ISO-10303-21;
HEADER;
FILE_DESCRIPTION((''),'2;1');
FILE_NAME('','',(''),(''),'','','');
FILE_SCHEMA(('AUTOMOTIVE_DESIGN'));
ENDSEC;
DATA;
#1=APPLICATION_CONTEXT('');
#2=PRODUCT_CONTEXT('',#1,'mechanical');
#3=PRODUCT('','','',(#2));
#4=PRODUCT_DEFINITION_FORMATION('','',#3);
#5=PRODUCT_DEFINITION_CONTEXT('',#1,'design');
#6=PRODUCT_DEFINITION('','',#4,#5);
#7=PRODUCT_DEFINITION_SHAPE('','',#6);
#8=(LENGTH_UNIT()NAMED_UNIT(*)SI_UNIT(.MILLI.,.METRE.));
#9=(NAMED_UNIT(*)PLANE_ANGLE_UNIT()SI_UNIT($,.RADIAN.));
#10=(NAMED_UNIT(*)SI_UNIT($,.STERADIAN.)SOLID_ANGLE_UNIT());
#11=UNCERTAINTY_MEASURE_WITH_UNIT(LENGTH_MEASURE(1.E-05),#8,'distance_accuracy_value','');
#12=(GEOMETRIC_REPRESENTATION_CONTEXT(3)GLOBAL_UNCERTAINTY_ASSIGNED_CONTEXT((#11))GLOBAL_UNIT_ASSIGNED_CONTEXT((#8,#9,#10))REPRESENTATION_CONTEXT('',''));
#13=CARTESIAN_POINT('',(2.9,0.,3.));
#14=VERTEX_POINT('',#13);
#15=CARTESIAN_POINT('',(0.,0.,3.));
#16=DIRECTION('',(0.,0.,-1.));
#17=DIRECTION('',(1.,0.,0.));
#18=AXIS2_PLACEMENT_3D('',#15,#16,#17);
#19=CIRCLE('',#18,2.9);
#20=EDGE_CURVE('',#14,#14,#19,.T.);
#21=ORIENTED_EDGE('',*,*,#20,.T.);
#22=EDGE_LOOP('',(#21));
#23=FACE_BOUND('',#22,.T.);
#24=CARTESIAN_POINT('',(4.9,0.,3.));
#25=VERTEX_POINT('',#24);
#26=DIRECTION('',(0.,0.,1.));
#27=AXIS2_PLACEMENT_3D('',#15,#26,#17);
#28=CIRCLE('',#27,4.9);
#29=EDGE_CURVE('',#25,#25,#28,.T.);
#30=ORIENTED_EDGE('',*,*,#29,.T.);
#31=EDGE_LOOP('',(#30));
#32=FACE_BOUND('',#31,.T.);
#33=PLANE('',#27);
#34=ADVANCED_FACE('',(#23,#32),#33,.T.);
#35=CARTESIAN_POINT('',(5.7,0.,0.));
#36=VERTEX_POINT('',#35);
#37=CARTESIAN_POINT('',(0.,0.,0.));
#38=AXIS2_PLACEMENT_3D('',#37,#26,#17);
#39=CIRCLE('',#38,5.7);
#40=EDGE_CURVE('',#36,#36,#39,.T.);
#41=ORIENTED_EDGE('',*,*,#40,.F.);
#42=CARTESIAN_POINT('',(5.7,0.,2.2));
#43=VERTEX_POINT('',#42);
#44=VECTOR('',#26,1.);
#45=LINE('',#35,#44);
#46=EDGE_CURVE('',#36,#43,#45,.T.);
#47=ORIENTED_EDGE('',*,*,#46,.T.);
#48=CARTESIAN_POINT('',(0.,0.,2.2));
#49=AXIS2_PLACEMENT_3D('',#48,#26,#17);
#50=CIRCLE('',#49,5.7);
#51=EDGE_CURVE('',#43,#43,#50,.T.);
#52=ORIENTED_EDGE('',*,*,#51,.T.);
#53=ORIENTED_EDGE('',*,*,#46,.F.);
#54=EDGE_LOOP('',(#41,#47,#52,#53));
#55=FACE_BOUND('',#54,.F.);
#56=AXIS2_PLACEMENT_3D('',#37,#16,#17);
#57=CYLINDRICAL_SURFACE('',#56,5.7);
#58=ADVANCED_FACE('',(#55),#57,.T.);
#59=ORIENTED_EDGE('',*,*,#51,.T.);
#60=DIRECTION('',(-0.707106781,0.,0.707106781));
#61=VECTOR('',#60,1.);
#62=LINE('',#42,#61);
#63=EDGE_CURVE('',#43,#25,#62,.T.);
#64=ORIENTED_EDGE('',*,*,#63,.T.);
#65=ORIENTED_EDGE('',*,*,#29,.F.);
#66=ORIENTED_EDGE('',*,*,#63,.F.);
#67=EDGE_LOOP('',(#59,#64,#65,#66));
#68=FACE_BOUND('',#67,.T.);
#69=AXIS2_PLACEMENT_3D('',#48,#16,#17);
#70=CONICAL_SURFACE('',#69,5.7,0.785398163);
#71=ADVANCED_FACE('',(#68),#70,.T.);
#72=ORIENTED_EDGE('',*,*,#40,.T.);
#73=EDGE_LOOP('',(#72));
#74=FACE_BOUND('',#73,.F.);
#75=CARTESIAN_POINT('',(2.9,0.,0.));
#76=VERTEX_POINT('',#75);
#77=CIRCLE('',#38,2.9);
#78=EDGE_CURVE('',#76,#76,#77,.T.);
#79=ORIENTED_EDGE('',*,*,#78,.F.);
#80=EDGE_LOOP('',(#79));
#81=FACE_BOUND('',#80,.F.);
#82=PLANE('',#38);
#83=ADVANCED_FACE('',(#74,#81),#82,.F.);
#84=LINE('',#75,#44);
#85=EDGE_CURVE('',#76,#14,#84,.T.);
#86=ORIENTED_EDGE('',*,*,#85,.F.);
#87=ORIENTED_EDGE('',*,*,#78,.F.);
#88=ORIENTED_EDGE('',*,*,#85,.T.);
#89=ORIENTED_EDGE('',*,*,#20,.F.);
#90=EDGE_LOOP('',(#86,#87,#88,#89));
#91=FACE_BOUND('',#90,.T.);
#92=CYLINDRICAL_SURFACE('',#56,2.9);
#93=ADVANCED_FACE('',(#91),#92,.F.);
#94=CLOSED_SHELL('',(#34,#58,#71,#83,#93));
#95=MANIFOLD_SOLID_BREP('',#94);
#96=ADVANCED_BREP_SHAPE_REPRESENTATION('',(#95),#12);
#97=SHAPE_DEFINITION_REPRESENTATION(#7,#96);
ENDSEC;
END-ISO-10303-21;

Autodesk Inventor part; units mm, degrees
ref_plane "YZ Plane" through (0, 0, 0) normal (1, 0, 0) x (0, 1, 0)
ref_plane "XZ Plane" through (0, 0, 0) normal (0, 1, 0) x (-1, 0, 0)
ref_plane "XY Plane" through (0, 0, 0) normal (0, 0, 1) x (1, 0, 0)
sketch "Sketch1" plane through (0, 0, 0) normal (0, 0, 1) x (1, 0, 0)
  circle A0 centre (0, 0) radius 5.7
  dimension "d0" = 11.4
extrude "Extrusion1" add sketch "Sketch1" along normal blind 3
chamfer "Chamfer1" distance 0.8 angle 45 1 edges at (-5.7, 0, 3)
sketch "Sketch2" plane through (0, 0, 0) normal (0, 0, 1) x (1, 0, 0)
  circle A0 centre (0, 0) radius 2.9
  dimension "d6" = 5.8
extrude "Extrusion2" cut sketch "Sketch2" along normal blind 10
properties part number "Insert3mm"
